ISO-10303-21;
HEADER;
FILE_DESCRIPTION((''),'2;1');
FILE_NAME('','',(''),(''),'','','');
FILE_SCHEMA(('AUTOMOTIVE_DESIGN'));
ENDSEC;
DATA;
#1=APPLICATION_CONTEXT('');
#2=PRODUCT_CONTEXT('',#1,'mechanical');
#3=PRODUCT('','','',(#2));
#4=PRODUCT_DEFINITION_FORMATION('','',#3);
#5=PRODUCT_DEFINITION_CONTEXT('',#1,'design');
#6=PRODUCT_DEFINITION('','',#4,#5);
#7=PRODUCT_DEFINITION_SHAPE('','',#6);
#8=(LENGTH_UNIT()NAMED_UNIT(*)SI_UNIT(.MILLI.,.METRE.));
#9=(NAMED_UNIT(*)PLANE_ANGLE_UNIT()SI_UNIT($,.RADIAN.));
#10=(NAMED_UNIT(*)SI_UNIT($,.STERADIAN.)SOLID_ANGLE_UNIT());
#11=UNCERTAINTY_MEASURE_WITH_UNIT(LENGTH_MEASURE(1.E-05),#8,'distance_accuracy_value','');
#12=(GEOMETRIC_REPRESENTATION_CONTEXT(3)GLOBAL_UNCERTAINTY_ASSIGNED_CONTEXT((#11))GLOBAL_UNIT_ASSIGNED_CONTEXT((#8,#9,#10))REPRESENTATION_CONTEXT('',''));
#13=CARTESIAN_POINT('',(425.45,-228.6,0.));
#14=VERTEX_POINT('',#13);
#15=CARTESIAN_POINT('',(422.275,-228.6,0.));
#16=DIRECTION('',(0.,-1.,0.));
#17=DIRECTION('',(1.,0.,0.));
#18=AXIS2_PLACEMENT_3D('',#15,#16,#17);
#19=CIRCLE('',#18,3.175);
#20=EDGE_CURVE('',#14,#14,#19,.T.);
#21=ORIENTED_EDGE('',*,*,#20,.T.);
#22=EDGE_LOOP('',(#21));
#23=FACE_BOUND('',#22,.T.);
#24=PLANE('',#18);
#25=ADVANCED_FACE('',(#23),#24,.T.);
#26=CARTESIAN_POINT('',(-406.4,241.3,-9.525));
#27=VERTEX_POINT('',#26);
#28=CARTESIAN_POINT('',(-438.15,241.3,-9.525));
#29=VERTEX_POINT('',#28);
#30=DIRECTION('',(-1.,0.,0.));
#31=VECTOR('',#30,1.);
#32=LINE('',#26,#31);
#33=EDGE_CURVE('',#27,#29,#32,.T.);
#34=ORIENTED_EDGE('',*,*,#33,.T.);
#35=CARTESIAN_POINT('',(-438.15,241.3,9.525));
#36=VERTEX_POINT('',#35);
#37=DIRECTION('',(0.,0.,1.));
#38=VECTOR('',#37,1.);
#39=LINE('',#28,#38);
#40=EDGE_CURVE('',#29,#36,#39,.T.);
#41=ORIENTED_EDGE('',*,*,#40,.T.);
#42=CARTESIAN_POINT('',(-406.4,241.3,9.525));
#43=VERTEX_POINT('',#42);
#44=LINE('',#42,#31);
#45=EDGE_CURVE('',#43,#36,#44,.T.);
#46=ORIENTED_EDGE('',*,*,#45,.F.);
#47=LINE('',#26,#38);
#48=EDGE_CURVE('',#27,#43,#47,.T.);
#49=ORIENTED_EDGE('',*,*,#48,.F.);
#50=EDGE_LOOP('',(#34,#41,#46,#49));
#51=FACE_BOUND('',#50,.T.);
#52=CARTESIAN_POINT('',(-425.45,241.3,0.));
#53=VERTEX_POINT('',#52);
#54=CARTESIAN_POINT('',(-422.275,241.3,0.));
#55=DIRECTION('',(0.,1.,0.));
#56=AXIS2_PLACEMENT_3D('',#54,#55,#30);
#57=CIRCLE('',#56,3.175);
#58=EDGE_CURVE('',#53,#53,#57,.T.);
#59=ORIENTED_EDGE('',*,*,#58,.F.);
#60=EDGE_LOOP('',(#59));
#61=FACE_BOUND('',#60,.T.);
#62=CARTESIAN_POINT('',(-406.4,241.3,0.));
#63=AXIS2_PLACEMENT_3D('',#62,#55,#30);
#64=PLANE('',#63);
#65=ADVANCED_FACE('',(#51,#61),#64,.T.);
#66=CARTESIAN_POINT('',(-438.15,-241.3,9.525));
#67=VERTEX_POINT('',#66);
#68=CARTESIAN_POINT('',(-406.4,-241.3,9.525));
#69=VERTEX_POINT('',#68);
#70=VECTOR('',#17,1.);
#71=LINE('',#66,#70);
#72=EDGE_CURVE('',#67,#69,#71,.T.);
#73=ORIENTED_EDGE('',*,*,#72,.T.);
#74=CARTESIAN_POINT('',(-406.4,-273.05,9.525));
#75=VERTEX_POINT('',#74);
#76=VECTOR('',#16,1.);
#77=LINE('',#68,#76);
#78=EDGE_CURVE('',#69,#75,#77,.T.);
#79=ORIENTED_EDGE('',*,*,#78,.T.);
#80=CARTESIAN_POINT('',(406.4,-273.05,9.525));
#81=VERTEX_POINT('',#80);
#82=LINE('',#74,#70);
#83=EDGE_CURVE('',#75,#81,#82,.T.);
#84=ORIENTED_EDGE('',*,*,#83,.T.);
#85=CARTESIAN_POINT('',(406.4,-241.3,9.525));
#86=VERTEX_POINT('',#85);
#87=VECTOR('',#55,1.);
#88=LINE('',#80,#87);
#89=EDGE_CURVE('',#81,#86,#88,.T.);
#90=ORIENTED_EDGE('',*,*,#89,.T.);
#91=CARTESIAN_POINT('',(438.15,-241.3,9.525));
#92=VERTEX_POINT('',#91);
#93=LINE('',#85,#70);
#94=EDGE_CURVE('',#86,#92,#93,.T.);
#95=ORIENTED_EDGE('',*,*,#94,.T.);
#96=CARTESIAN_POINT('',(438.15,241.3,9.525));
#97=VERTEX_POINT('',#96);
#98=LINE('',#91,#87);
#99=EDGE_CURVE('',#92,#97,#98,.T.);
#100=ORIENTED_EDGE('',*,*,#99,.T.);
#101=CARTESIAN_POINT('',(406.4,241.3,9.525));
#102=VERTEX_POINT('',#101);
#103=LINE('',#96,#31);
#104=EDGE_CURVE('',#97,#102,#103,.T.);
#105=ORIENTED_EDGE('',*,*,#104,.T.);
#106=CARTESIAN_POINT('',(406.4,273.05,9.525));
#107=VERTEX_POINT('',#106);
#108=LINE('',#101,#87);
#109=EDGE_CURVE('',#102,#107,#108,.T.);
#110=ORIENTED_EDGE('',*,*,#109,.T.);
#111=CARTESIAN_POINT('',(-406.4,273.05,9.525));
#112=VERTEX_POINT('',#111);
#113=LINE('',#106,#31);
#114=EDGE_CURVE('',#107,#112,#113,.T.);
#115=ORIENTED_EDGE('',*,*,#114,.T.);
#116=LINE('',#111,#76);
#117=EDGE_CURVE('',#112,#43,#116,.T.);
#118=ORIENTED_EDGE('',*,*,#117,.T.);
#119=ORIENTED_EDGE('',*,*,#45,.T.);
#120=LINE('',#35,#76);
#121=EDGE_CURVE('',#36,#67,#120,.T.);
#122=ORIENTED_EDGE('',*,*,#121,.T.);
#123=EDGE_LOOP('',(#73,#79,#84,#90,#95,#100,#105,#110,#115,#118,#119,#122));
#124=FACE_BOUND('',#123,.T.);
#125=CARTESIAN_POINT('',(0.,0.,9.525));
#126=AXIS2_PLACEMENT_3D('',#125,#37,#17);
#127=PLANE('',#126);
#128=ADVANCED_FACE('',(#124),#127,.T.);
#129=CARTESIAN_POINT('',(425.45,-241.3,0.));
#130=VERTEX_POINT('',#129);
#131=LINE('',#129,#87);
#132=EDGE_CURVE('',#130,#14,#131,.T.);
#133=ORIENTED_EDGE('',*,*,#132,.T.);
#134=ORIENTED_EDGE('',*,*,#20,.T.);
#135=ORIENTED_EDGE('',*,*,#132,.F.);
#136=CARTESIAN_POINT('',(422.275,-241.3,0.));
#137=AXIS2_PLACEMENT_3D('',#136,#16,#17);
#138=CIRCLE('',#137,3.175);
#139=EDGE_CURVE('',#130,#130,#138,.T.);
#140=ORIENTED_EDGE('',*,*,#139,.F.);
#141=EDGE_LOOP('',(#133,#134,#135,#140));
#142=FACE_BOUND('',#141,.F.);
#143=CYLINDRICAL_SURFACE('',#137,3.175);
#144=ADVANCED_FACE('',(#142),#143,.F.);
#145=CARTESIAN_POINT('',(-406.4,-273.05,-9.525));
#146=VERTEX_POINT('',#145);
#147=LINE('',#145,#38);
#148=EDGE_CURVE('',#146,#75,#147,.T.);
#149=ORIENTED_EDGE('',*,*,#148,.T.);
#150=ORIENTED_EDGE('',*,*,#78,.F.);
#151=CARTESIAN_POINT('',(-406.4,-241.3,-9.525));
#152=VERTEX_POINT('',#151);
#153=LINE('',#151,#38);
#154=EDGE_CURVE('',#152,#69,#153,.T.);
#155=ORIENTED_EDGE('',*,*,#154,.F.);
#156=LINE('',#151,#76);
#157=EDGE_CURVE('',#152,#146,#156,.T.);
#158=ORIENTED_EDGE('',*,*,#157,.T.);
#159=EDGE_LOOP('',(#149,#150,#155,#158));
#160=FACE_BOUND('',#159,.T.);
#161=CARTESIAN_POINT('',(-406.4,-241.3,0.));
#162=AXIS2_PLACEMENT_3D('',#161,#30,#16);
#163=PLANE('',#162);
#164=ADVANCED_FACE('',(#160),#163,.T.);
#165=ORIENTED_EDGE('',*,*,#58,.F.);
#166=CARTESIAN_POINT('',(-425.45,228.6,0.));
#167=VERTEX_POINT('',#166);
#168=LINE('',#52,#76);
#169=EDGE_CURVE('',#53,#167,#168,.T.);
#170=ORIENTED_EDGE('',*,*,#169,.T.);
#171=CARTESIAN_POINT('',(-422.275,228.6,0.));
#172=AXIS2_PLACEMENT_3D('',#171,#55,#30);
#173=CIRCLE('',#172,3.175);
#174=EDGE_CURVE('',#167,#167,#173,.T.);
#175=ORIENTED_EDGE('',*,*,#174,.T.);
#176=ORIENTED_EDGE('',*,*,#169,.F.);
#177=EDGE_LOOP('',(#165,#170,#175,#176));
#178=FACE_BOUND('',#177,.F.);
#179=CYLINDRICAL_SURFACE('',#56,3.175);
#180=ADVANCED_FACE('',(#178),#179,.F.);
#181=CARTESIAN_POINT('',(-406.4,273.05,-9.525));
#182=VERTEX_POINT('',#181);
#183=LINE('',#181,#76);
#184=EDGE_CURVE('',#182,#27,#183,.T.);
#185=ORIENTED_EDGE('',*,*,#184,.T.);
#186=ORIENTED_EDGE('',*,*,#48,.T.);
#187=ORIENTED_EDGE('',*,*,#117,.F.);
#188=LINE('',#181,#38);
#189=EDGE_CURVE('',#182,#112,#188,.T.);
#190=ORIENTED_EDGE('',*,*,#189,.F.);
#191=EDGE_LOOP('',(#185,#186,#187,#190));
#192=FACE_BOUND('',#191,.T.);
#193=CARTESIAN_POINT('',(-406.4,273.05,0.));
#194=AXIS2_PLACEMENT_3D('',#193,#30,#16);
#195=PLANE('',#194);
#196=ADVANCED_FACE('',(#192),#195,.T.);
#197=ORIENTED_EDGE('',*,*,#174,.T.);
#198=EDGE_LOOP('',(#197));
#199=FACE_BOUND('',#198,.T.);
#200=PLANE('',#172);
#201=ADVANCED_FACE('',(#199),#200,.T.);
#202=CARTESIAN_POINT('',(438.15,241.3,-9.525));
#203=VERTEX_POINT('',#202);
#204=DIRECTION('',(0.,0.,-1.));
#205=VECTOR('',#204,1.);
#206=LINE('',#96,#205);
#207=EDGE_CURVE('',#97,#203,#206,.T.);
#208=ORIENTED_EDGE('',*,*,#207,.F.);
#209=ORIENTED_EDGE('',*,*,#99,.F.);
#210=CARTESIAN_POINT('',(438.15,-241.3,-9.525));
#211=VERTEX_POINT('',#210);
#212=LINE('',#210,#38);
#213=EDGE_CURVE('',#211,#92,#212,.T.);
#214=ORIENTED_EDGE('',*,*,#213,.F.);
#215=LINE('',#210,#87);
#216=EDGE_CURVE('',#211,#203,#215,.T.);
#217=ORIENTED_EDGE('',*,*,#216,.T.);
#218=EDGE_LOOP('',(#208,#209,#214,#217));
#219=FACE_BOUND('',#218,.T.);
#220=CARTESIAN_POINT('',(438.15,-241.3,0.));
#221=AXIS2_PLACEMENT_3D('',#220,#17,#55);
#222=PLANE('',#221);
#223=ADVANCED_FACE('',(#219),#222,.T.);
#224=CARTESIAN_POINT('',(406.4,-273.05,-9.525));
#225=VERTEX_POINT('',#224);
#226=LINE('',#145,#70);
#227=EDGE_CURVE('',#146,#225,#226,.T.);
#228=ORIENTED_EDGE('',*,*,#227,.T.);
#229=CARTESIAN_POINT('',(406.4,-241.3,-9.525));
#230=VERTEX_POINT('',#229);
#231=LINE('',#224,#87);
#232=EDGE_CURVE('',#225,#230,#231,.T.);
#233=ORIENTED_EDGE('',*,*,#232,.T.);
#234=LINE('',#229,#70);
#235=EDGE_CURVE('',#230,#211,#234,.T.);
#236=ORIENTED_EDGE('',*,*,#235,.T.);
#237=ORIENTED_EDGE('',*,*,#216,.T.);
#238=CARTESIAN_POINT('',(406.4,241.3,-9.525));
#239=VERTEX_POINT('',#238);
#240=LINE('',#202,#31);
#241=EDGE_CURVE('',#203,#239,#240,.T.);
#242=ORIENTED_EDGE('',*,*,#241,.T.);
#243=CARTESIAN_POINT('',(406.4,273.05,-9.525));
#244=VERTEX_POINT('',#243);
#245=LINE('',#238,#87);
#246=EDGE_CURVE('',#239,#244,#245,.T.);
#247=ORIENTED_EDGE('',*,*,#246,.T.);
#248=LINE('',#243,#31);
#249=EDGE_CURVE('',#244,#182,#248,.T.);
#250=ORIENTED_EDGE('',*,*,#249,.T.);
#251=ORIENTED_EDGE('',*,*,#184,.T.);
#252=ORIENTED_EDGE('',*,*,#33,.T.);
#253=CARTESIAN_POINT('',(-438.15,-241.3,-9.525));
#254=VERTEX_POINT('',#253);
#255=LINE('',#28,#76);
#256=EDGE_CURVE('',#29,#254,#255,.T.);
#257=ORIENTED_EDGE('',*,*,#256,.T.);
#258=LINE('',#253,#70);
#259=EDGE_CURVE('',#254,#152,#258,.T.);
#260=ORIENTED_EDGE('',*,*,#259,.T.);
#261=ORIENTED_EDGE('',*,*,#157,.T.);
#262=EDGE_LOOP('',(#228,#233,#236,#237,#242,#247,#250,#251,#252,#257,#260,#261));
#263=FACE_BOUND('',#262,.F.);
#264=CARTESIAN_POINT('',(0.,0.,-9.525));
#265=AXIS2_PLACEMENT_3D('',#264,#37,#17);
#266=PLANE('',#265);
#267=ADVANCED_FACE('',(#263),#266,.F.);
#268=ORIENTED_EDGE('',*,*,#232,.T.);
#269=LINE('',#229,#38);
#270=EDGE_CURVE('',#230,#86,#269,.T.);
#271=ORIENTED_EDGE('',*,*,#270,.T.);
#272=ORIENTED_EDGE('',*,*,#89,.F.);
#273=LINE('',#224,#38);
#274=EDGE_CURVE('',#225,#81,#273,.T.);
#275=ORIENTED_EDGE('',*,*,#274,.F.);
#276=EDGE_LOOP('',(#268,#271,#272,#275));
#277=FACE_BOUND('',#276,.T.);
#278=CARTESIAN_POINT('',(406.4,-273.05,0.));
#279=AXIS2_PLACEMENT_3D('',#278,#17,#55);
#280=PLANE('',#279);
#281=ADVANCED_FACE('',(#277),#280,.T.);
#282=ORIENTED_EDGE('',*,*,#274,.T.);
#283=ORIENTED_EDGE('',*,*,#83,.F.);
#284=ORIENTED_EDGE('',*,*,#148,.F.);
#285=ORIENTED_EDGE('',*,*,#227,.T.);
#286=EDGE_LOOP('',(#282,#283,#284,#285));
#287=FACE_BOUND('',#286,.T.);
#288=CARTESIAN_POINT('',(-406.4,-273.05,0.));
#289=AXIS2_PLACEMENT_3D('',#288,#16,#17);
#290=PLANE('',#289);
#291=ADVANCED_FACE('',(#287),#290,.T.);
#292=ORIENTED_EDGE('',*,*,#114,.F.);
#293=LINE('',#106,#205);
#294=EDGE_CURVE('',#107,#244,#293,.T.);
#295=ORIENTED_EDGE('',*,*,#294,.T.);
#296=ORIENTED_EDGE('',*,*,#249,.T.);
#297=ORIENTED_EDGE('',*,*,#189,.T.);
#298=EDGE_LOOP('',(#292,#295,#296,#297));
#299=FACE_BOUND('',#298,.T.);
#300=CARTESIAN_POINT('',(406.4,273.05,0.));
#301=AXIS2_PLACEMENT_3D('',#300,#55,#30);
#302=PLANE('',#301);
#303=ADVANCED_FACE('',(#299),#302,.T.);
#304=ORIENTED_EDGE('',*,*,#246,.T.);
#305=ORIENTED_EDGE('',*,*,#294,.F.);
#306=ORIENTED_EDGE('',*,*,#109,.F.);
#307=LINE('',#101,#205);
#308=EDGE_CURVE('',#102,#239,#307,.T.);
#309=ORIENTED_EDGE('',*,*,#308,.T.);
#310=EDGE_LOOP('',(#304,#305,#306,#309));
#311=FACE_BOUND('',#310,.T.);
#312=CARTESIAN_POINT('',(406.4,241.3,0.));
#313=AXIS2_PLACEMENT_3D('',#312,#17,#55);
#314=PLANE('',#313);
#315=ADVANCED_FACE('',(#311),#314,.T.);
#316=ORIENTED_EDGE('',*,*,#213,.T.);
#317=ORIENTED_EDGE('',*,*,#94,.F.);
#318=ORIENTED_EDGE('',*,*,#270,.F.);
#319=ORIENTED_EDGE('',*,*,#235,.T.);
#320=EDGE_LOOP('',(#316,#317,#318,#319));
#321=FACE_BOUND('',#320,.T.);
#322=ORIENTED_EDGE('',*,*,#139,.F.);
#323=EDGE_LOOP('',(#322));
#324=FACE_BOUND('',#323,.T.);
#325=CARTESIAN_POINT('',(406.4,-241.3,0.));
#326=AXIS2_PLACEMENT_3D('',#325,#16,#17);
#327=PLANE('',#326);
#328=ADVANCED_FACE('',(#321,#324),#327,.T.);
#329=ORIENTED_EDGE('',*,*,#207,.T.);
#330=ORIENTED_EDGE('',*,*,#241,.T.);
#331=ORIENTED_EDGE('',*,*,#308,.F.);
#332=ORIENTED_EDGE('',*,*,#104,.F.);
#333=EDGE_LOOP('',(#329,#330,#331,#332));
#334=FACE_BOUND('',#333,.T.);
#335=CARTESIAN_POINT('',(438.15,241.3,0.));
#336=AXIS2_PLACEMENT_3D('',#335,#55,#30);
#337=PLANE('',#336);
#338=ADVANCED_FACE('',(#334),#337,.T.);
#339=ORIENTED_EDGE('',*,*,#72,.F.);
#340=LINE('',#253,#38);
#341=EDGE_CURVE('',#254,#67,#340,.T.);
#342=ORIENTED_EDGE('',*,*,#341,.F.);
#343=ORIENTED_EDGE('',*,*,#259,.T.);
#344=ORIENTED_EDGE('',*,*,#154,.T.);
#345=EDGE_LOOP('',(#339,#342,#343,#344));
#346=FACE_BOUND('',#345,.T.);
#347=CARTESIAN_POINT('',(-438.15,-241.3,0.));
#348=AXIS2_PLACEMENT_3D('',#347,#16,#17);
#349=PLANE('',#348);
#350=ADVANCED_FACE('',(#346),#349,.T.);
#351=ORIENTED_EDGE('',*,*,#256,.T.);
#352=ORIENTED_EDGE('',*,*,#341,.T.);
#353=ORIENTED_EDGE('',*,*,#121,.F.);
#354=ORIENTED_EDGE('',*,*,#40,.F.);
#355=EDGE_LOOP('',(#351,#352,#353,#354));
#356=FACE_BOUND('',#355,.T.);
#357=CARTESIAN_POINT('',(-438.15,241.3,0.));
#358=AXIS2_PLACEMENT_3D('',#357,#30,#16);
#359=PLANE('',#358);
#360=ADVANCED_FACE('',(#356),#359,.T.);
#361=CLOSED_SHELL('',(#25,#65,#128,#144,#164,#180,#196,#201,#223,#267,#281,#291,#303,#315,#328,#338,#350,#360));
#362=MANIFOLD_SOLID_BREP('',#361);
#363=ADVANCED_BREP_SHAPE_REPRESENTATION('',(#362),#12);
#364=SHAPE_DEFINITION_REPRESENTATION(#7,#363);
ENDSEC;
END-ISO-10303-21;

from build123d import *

# Parameters (mm, degrees)
F1_DEPTH = 9.525
F2_R     = 3.175
F3_DEPTH = 12.7
F4_R     = 3.175
F5_DEPTH = 12.7


with BuildPart() as f1:
    # F0 (on Top) → F1 (new body, symmetric)
    with BuildSketch(Plane.XY):
        Polygon((406.4, 273.05), (-406.4, 273.05), (-406.4, 241.3), (-438.15, 241.3), (-438.15, -241.3), (-406.4, -241.3), (-406.4, -273.05), (406.4, -273.05), (406.4, -241.3), (438.15, -241.3), (438.15, 241.3), (406.4, 241.3), align=None)
    extrude(amount=F1_DEPTH, both=True)

    # F2 (on face) → F3 (cut)
    with BuildSketch(Plane.XZ.offset(241.3)):
        with Locations((422.275, 0)):
            Circle(F2_R)
    extrude(amount=-F3_DEPTH, mode=Mode.SUBTRACT)

    # F4 (on face) → F5 (cut)
    with BuildSketch(Plane(origin=(0, 241.3, 0), x_dir=(-1, 0, 0), z_dir=(0, 1, 0))):
        with Locations((422.275, 0)):
            Circle(F4_R)
    extrude(amount=-F5_DEPTH, mode=Mode.SUBTRACT)


solid = f1.part
